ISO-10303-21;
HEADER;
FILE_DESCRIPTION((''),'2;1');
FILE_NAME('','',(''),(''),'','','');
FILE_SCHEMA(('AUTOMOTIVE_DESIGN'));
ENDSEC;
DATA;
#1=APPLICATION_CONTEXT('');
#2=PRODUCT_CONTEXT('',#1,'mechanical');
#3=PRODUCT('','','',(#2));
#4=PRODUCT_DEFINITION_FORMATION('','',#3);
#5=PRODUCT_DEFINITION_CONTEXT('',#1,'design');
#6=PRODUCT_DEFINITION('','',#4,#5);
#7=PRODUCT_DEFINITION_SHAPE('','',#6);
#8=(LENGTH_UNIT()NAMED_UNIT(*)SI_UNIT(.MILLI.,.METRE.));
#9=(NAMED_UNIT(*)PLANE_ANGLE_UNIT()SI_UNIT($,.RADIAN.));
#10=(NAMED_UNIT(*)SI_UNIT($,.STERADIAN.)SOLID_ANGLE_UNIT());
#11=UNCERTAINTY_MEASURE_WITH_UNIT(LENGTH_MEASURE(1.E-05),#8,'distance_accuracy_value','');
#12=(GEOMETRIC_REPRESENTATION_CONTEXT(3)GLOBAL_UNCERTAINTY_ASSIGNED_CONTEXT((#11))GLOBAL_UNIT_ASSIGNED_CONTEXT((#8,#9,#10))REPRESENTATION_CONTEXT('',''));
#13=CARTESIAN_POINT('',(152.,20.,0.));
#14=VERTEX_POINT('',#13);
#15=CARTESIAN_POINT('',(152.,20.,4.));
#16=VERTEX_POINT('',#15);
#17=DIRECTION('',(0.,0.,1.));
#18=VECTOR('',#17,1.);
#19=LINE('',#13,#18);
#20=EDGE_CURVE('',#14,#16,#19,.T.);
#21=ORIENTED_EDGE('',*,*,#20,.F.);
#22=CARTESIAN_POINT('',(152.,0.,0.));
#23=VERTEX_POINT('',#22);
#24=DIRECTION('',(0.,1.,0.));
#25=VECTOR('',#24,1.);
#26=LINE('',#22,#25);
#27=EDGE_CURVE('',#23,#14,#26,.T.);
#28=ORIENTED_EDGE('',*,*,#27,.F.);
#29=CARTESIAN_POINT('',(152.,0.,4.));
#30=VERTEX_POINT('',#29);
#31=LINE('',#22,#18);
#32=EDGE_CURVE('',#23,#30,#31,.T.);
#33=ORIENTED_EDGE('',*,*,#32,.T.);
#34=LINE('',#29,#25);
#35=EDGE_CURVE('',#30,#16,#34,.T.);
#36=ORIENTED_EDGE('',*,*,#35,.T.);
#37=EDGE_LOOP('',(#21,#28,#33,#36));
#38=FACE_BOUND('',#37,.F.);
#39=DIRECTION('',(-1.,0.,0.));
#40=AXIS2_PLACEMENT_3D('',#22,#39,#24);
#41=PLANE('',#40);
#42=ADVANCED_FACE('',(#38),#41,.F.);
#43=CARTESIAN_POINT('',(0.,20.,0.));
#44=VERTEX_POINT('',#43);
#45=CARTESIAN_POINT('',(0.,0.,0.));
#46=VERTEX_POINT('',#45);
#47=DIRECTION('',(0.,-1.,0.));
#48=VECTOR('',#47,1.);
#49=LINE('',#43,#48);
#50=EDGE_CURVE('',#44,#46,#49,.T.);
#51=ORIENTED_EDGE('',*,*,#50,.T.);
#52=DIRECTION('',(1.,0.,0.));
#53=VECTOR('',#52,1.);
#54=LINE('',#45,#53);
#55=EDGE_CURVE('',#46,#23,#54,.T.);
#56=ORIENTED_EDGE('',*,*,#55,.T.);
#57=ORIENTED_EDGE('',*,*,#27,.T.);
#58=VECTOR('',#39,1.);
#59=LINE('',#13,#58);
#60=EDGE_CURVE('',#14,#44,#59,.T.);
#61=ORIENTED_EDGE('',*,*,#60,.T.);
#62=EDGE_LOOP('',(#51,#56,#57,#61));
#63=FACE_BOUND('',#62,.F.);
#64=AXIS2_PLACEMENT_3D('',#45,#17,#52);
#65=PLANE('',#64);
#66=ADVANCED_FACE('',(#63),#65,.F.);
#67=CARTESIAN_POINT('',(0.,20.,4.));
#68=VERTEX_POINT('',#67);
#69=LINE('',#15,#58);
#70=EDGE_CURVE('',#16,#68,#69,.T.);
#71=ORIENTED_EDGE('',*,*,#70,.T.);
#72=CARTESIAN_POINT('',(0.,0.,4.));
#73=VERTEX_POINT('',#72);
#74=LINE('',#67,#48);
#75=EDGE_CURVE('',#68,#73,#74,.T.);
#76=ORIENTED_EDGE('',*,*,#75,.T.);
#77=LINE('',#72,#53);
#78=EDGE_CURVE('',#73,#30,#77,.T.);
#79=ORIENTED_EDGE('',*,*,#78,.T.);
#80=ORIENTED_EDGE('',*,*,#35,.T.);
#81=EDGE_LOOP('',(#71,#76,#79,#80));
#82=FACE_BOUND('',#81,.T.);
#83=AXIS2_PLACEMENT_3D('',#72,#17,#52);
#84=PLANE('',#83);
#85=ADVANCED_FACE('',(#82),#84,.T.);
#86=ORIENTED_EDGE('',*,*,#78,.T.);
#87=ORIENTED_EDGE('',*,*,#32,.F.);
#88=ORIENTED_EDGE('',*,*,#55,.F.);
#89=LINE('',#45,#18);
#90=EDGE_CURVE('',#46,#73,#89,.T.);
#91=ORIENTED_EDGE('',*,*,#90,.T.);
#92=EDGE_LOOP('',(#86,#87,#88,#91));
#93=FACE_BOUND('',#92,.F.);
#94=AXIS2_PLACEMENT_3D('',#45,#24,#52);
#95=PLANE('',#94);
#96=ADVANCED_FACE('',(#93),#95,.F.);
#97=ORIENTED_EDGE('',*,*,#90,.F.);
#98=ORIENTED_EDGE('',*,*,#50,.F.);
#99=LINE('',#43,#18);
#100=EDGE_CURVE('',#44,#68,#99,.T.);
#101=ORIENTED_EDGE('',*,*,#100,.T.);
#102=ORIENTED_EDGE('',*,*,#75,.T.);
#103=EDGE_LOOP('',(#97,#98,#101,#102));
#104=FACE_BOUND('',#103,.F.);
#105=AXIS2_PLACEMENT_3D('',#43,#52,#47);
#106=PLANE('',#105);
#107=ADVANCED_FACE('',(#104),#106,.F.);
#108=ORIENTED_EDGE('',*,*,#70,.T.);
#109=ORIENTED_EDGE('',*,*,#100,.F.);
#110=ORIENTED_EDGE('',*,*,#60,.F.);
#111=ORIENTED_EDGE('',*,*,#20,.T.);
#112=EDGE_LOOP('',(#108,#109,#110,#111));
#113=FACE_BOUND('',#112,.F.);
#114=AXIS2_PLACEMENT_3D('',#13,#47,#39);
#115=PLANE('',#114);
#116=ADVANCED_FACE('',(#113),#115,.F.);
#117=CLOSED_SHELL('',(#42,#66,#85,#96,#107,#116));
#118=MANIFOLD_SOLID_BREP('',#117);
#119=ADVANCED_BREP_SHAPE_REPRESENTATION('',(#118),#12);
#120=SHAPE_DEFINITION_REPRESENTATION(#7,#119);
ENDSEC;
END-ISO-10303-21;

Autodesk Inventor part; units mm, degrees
ref_plane "YZ Plane" through (0, 0, 0) normal (1, 0, 0) x (0, 1, 0)
ref_plane "XZ Plane" through (0, 0, 0) normal (0, 1, 0) x (-1, 0, 0)
ref_plane "XY Plane" through (0, 0, 0) normal (0, 0, 1) x (1, 0, 0)
sketch "Boceto1" plane through (0, 0, 0) normal (0, 0, 1) x (1, 0, 0)
  line L0 (0, 0) -> (152, 0)
  line L1 (152, 0) -> (152, 20)
  line L2 (152, 20) -> (0, 20)
  line L3 (0, 20) -> (0, 0)
  dimension "d0" = 152
  dimension "d1" = 20
extrude "Extrusión1" add sketch "Boceto1" along normal blind 4
properties part number "base2" material "Madera (abedul)"
